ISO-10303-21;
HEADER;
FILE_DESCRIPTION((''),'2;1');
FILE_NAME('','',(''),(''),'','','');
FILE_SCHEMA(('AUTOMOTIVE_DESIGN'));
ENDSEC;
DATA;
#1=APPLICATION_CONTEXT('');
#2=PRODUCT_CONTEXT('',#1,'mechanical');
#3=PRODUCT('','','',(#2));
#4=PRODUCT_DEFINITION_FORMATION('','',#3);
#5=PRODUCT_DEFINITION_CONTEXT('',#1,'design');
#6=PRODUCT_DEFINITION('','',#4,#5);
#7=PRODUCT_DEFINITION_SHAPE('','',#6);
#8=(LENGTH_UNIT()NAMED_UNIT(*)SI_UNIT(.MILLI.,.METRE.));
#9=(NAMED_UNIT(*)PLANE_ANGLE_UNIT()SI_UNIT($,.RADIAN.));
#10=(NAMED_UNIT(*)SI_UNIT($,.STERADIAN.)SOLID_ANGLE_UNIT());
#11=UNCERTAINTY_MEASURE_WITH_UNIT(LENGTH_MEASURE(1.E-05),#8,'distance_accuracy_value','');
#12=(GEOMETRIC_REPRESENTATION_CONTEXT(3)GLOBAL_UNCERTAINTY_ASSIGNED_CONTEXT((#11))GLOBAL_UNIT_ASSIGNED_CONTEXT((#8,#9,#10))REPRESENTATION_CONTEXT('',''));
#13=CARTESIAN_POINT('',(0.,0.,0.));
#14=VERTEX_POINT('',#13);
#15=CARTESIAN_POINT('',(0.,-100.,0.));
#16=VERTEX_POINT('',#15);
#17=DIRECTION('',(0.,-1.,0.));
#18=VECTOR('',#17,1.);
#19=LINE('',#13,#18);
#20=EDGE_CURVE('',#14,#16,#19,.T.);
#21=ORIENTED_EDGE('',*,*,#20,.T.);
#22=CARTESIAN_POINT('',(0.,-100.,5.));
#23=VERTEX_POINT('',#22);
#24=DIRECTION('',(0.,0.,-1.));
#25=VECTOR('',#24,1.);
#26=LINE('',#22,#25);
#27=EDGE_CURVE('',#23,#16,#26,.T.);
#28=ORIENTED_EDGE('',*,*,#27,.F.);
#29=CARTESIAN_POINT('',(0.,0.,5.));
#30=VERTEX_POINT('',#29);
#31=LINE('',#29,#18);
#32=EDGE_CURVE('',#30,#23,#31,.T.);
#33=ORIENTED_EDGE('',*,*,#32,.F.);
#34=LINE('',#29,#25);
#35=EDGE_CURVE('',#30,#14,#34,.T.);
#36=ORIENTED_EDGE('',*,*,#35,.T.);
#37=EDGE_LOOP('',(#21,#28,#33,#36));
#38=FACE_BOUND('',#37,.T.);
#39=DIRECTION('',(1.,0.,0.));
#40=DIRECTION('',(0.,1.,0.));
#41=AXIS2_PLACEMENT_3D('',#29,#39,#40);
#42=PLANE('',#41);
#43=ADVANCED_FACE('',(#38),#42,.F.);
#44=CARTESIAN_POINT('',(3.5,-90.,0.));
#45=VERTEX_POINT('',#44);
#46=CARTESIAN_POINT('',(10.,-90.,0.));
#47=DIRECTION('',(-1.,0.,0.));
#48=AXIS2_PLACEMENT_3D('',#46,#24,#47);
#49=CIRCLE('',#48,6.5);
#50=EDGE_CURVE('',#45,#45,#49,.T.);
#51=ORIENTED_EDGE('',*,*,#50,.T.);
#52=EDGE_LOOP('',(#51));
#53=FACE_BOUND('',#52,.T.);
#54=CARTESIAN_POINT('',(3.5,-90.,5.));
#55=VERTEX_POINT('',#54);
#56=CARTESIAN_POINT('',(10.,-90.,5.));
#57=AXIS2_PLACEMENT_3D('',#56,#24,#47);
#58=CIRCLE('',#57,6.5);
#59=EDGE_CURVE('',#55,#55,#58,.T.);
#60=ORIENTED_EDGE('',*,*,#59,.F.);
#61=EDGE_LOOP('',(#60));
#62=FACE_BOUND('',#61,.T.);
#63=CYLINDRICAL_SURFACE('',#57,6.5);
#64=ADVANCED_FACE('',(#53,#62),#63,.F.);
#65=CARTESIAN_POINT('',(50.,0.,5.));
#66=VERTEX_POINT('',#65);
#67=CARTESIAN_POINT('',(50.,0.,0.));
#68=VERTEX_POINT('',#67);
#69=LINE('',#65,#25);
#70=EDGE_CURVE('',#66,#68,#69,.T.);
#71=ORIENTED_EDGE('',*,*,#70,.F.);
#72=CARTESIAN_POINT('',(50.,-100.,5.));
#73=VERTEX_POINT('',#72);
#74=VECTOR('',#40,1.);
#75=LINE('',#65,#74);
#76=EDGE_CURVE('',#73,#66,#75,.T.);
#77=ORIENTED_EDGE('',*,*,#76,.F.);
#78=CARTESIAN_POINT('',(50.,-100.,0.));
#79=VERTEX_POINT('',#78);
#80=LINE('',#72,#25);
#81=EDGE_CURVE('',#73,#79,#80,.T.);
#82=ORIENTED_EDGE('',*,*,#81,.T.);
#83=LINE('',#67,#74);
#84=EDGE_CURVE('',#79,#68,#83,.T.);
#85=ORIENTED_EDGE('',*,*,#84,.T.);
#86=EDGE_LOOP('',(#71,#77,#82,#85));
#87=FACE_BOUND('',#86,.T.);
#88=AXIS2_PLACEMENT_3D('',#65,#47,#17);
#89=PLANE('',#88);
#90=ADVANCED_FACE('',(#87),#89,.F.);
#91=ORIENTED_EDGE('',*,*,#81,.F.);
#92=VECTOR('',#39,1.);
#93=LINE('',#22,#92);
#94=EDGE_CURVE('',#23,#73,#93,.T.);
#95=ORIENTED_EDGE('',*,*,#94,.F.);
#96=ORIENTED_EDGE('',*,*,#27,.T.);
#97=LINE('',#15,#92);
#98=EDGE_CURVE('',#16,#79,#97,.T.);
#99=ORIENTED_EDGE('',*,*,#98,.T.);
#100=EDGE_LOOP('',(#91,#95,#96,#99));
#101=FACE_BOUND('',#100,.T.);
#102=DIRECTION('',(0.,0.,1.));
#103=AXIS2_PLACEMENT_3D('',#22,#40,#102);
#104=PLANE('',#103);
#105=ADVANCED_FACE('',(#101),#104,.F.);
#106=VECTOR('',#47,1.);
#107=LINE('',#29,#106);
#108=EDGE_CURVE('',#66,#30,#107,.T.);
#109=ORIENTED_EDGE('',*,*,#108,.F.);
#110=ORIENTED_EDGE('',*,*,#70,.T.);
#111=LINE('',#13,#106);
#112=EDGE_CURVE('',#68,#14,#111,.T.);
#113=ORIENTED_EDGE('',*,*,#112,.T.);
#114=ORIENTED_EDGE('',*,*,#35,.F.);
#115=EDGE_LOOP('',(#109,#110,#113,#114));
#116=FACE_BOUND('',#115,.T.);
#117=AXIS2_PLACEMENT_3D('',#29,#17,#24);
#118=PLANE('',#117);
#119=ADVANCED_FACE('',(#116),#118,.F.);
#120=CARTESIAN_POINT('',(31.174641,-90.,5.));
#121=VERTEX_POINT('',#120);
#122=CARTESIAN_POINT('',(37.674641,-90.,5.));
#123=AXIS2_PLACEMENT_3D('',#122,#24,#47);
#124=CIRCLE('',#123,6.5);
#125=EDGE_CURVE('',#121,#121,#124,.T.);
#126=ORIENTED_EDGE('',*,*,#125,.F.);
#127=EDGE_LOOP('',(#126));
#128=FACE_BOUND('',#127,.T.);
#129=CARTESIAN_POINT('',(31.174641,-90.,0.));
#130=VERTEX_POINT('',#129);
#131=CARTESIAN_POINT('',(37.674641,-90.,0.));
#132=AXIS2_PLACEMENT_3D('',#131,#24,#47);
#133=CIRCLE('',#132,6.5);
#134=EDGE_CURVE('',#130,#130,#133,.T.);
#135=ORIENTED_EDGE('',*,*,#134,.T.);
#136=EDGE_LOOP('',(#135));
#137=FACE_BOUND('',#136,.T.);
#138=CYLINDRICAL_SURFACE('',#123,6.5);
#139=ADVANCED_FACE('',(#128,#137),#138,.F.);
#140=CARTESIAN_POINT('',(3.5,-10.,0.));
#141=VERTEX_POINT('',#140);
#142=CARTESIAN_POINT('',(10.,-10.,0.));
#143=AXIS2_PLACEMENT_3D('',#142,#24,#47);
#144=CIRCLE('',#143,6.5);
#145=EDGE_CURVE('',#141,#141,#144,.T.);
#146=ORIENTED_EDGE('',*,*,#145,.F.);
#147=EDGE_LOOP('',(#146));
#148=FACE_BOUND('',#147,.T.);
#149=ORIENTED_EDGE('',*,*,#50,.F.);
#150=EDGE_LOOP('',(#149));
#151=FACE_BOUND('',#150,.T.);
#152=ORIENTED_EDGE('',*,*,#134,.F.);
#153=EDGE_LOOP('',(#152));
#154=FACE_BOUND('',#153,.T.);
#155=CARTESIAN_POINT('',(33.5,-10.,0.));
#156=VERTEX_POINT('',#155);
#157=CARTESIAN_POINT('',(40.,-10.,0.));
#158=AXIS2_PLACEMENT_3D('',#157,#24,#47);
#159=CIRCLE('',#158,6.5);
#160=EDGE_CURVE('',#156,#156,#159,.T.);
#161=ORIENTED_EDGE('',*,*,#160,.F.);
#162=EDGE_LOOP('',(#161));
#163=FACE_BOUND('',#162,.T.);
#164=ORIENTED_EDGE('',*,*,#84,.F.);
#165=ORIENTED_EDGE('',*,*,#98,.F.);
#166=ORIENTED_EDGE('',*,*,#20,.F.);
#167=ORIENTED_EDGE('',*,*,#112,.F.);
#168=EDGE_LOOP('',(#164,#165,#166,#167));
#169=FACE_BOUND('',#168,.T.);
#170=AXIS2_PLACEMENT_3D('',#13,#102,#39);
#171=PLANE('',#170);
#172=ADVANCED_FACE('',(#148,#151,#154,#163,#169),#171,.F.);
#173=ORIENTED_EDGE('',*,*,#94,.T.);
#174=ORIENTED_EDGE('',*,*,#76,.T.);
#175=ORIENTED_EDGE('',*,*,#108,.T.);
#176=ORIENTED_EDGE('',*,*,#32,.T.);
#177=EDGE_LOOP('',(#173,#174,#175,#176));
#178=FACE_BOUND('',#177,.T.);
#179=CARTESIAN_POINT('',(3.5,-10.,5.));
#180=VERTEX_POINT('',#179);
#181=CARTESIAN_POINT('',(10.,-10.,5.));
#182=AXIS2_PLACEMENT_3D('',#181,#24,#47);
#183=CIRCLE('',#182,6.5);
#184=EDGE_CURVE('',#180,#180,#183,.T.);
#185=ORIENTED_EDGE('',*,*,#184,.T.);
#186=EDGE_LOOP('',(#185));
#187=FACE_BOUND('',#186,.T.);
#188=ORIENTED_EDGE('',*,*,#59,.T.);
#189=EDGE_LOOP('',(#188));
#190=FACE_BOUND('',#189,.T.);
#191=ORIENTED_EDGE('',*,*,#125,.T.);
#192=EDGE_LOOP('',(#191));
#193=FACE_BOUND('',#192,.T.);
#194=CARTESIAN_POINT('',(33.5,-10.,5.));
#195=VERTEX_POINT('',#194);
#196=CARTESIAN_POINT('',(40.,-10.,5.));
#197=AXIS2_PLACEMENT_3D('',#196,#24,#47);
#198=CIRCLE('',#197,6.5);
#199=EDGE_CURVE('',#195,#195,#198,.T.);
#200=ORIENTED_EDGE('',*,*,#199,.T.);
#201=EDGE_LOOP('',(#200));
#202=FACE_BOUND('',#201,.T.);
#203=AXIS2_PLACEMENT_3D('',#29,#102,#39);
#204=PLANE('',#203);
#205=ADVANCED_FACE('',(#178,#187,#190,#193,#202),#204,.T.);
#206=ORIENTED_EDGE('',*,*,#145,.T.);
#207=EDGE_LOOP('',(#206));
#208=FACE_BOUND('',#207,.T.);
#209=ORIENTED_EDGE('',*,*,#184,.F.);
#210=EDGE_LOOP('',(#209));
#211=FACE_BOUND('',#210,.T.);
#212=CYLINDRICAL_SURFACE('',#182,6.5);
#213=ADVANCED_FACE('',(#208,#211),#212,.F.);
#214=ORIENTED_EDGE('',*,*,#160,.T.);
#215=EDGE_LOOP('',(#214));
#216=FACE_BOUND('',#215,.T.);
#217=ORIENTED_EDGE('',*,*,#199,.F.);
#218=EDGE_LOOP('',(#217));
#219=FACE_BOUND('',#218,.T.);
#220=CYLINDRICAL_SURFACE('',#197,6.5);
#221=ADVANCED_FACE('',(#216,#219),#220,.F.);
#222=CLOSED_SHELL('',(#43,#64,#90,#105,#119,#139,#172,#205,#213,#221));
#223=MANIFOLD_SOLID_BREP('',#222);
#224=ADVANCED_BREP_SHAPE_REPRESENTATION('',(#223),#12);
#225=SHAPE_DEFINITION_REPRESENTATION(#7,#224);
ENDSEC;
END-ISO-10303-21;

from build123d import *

# Parameters (mm, degrees)
SKETCH1_W           = 50
SKETCH1_H           = 100
BOSS_EXTRUDE1_DEPTH = 5
SKETCH2_R           = 6.5
CUT_EXTRUDE1_DEPTH  = 112.915146428


with BuildPart() as part:
    # Sketch1 → Boss-Extrude1 (new body)
    with BuildSketch(Plane.XY):
        with Locations((25, -50)):
            Rectangle(SKETCH1_W, SKETCH1_H)
    extrude(amount=BOSS_EXTRUDE1_DEPTH)

    # Sketch2 → Cut-Extrude1 (cut, through all)
    with BuildSketch(Plane(origin=(0, 0, 0), x_dir=(-1, 0, 0), z_dir=(0, 0, -1))):
        with Locations((-10, -10)):
            Circle(SKETCH2_R)
        with Locations((-40, -10)):
            Circle(SKETCH2_R)
        with Locations((-10, -90)):
            Circle(SKETCH2_R)
        with Locations((-37.674641047, -90)):
            Circle(SKETCH2_R)
    extrude(amount=-CUT_EXTRUDE1_DEPTH, mode=Mode.SUBTRACT)


solid = part.part
